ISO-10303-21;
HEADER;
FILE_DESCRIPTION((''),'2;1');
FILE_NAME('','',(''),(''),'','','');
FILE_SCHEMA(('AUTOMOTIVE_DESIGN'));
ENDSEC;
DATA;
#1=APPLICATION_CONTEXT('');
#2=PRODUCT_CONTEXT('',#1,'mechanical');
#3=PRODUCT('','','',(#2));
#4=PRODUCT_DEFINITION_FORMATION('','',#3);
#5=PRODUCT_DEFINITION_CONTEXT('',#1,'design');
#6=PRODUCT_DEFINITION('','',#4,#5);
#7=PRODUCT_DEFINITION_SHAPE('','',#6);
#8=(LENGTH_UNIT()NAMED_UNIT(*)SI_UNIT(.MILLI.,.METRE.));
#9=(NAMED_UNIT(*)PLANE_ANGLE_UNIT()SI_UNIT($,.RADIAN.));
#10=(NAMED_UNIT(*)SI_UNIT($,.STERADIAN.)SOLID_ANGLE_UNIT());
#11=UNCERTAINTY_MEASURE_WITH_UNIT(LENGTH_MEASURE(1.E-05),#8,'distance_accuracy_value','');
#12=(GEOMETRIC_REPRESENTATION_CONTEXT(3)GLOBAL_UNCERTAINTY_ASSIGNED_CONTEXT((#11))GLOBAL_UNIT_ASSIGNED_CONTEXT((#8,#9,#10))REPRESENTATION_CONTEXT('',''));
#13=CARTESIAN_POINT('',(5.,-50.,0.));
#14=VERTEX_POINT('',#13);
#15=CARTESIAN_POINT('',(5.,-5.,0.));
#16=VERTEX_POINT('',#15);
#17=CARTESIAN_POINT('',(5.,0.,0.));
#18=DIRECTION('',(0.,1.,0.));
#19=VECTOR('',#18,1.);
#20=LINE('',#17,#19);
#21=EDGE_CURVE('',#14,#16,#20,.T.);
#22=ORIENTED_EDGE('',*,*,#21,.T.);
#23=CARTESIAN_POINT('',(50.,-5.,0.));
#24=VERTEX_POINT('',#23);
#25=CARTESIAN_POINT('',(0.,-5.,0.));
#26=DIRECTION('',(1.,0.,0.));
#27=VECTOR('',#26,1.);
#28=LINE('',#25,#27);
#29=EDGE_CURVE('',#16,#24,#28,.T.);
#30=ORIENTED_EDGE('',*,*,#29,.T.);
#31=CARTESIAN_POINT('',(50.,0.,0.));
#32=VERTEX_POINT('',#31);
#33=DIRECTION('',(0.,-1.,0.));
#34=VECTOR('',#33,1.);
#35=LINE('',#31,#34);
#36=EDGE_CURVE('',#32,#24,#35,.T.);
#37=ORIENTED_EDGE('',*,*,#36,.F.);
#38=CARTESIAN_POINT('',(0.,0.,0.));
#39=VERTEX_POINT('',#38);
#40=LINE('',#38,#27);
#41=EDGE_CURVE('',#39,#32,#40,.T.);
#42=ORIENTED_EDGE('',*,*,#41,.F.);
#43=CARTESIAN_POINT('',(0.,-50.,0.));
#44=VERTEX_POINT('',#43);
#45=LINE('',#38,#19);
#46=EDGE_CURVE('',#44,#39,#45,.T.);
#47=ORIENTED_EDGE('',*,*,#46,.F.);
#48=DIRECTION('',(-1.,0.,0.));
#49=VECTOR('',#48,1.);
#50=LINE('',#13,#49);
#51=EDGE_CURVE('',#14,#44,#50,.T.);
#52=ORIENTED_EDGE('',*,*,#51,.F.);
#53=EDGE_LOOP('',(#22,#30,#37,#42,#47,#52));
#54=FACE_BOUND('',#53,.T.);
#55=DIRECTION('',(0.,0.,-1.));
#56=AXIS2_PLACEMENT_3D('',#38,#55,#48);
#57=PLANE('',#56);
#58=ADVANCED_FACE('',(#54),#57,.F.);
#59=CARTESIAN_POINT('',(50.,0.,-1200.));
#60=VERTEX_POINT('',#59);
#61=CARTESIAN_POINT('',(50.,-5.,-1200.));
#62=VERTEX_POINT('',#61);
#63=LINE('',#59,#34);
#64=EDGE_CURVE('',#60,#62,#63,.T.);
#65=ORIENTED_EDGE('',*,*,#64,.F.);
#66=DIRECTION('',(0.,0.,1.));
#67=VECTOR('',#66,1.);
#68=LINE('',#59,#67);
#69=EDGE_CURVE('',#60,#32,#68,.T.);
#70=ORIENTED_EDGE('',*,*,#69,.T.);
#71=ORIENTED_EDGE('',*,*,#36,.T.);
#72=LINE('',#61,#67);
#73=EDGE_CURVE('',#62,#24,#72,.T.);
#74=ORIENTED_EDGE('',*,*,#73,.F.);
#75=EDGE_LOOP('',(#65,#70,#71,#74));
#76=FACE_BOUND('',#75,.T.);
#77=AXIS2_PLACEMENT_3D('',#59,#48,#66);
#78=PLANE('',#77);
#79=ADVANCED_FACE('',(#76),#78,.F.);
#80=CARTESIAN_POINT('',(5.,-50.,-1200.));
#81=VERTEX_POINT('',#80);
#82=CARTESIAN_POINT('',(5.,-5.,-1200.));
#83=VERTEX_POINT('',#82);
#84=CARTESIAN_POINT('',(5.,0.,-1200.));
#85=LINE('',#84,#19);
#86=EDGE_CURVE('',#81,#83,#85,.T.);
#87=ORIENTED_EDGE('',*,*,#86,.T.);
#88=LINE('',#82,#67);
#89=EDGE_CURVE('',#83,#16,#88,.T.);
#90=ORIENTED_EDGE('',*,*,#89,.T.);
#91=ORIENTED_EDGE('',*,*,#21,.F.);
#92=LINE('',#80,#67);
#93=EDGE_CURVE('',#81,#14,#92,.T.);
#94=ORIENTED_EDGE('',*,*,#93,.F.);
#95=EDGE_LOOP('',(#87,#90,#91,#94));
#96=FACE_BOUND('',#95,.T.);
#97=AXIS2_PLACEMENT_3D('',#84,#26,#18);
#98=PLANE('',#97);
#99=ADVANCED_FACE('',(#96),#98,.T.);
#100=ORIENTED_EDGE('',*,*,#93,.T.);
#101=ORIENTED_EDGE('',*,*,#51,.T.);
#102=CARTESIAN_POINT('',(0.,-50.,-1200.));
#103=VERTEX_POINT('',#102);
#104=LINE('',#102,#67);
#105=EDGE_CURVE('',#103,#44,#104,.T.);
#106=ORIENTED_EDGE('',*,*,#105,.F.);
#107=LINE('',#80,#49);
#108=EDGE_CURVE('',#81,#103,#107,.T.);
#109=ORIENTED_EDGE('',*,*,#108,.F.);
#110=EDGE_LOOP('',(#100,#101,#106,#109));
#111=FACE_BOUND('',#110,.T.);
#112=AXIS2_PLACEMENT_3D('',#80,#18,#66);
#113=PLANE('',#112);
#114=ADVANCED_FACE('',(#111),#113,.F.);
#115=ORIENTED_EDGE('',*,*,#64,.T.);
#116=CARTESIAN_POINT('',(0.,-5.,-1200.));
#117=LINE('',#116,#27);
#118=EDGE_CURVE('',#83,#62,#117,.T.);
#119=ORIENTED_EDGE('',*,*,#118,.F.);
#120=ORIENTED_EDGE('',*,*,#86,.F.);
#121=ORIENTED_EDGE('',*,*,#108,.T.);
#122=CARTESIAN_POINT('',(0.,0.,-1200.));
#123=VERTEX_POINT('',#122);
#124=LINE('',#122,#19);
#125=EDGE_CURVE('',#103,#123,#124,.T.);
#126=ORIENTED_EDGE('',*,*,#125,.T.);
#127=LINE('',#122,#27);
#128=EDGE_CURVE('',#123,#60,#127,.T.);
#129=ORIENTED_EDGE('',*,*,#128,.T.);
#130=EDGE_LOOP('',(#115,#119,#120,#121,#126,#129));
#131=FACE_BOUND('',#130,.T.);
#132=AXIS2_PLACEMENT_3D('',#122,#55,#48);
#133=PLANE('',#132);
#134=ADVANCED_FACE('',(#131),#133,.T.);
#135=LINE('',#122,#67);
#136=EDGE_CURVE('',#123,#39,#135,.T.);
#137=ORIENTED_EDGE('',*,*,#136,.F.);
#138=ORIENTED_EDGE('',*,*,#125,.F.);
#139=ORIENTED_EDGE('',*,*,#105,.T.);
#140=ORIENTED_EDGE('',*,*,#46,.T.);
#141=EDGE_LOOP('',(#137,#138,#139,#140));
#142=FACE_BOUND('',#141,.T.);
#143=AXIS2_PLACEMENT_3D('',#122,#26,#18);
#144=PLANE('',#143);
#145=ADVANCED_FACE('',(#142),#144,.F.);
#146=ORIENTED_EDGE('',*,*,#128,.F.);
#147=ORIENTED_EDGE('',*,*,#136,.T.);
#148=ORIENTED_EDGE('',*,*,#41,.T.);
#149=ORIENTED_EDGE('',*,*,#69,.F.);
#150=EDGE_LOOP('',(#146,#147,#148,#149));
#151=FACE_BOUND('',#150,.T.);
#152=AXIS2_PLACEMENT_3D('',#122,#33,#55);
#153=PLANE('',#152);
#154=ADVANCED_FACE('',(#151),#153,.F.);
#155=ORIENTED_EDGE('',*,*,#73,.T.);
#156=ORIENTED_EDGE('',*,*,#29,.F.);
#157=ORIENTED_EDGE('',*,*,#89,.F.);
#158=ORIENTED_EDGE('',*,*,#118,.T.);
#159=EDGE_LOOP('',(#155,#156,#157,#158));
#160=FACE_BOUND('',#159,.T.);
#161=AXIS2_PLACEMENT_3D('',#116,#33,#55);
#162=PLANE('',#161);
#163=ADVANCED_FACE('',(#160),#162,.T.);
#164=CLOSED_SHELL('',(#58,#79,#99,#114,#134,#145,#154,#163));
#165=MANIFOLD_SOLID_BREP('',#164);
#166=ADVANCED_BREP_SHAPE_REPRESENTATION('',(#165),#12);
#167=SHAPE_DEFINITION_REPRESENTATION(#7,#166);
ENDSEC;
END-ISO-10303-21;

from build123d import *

# Parameters (mm, degrees)
EXTRUDE_1_DEPTH = 1200


with BuildPart() as part:
    # Эскиз1 → Вытянуть-Тонкостенный1 (new body)
    with BuildSketch(Plane.XY):
        Polygon((50, 0), (0, 0), (0, -50), (5, -50), (5, -5), (50, -5), align=None)
    extrude(amount=-EXTRUDE_1_DEPTH)


solid = part.part
